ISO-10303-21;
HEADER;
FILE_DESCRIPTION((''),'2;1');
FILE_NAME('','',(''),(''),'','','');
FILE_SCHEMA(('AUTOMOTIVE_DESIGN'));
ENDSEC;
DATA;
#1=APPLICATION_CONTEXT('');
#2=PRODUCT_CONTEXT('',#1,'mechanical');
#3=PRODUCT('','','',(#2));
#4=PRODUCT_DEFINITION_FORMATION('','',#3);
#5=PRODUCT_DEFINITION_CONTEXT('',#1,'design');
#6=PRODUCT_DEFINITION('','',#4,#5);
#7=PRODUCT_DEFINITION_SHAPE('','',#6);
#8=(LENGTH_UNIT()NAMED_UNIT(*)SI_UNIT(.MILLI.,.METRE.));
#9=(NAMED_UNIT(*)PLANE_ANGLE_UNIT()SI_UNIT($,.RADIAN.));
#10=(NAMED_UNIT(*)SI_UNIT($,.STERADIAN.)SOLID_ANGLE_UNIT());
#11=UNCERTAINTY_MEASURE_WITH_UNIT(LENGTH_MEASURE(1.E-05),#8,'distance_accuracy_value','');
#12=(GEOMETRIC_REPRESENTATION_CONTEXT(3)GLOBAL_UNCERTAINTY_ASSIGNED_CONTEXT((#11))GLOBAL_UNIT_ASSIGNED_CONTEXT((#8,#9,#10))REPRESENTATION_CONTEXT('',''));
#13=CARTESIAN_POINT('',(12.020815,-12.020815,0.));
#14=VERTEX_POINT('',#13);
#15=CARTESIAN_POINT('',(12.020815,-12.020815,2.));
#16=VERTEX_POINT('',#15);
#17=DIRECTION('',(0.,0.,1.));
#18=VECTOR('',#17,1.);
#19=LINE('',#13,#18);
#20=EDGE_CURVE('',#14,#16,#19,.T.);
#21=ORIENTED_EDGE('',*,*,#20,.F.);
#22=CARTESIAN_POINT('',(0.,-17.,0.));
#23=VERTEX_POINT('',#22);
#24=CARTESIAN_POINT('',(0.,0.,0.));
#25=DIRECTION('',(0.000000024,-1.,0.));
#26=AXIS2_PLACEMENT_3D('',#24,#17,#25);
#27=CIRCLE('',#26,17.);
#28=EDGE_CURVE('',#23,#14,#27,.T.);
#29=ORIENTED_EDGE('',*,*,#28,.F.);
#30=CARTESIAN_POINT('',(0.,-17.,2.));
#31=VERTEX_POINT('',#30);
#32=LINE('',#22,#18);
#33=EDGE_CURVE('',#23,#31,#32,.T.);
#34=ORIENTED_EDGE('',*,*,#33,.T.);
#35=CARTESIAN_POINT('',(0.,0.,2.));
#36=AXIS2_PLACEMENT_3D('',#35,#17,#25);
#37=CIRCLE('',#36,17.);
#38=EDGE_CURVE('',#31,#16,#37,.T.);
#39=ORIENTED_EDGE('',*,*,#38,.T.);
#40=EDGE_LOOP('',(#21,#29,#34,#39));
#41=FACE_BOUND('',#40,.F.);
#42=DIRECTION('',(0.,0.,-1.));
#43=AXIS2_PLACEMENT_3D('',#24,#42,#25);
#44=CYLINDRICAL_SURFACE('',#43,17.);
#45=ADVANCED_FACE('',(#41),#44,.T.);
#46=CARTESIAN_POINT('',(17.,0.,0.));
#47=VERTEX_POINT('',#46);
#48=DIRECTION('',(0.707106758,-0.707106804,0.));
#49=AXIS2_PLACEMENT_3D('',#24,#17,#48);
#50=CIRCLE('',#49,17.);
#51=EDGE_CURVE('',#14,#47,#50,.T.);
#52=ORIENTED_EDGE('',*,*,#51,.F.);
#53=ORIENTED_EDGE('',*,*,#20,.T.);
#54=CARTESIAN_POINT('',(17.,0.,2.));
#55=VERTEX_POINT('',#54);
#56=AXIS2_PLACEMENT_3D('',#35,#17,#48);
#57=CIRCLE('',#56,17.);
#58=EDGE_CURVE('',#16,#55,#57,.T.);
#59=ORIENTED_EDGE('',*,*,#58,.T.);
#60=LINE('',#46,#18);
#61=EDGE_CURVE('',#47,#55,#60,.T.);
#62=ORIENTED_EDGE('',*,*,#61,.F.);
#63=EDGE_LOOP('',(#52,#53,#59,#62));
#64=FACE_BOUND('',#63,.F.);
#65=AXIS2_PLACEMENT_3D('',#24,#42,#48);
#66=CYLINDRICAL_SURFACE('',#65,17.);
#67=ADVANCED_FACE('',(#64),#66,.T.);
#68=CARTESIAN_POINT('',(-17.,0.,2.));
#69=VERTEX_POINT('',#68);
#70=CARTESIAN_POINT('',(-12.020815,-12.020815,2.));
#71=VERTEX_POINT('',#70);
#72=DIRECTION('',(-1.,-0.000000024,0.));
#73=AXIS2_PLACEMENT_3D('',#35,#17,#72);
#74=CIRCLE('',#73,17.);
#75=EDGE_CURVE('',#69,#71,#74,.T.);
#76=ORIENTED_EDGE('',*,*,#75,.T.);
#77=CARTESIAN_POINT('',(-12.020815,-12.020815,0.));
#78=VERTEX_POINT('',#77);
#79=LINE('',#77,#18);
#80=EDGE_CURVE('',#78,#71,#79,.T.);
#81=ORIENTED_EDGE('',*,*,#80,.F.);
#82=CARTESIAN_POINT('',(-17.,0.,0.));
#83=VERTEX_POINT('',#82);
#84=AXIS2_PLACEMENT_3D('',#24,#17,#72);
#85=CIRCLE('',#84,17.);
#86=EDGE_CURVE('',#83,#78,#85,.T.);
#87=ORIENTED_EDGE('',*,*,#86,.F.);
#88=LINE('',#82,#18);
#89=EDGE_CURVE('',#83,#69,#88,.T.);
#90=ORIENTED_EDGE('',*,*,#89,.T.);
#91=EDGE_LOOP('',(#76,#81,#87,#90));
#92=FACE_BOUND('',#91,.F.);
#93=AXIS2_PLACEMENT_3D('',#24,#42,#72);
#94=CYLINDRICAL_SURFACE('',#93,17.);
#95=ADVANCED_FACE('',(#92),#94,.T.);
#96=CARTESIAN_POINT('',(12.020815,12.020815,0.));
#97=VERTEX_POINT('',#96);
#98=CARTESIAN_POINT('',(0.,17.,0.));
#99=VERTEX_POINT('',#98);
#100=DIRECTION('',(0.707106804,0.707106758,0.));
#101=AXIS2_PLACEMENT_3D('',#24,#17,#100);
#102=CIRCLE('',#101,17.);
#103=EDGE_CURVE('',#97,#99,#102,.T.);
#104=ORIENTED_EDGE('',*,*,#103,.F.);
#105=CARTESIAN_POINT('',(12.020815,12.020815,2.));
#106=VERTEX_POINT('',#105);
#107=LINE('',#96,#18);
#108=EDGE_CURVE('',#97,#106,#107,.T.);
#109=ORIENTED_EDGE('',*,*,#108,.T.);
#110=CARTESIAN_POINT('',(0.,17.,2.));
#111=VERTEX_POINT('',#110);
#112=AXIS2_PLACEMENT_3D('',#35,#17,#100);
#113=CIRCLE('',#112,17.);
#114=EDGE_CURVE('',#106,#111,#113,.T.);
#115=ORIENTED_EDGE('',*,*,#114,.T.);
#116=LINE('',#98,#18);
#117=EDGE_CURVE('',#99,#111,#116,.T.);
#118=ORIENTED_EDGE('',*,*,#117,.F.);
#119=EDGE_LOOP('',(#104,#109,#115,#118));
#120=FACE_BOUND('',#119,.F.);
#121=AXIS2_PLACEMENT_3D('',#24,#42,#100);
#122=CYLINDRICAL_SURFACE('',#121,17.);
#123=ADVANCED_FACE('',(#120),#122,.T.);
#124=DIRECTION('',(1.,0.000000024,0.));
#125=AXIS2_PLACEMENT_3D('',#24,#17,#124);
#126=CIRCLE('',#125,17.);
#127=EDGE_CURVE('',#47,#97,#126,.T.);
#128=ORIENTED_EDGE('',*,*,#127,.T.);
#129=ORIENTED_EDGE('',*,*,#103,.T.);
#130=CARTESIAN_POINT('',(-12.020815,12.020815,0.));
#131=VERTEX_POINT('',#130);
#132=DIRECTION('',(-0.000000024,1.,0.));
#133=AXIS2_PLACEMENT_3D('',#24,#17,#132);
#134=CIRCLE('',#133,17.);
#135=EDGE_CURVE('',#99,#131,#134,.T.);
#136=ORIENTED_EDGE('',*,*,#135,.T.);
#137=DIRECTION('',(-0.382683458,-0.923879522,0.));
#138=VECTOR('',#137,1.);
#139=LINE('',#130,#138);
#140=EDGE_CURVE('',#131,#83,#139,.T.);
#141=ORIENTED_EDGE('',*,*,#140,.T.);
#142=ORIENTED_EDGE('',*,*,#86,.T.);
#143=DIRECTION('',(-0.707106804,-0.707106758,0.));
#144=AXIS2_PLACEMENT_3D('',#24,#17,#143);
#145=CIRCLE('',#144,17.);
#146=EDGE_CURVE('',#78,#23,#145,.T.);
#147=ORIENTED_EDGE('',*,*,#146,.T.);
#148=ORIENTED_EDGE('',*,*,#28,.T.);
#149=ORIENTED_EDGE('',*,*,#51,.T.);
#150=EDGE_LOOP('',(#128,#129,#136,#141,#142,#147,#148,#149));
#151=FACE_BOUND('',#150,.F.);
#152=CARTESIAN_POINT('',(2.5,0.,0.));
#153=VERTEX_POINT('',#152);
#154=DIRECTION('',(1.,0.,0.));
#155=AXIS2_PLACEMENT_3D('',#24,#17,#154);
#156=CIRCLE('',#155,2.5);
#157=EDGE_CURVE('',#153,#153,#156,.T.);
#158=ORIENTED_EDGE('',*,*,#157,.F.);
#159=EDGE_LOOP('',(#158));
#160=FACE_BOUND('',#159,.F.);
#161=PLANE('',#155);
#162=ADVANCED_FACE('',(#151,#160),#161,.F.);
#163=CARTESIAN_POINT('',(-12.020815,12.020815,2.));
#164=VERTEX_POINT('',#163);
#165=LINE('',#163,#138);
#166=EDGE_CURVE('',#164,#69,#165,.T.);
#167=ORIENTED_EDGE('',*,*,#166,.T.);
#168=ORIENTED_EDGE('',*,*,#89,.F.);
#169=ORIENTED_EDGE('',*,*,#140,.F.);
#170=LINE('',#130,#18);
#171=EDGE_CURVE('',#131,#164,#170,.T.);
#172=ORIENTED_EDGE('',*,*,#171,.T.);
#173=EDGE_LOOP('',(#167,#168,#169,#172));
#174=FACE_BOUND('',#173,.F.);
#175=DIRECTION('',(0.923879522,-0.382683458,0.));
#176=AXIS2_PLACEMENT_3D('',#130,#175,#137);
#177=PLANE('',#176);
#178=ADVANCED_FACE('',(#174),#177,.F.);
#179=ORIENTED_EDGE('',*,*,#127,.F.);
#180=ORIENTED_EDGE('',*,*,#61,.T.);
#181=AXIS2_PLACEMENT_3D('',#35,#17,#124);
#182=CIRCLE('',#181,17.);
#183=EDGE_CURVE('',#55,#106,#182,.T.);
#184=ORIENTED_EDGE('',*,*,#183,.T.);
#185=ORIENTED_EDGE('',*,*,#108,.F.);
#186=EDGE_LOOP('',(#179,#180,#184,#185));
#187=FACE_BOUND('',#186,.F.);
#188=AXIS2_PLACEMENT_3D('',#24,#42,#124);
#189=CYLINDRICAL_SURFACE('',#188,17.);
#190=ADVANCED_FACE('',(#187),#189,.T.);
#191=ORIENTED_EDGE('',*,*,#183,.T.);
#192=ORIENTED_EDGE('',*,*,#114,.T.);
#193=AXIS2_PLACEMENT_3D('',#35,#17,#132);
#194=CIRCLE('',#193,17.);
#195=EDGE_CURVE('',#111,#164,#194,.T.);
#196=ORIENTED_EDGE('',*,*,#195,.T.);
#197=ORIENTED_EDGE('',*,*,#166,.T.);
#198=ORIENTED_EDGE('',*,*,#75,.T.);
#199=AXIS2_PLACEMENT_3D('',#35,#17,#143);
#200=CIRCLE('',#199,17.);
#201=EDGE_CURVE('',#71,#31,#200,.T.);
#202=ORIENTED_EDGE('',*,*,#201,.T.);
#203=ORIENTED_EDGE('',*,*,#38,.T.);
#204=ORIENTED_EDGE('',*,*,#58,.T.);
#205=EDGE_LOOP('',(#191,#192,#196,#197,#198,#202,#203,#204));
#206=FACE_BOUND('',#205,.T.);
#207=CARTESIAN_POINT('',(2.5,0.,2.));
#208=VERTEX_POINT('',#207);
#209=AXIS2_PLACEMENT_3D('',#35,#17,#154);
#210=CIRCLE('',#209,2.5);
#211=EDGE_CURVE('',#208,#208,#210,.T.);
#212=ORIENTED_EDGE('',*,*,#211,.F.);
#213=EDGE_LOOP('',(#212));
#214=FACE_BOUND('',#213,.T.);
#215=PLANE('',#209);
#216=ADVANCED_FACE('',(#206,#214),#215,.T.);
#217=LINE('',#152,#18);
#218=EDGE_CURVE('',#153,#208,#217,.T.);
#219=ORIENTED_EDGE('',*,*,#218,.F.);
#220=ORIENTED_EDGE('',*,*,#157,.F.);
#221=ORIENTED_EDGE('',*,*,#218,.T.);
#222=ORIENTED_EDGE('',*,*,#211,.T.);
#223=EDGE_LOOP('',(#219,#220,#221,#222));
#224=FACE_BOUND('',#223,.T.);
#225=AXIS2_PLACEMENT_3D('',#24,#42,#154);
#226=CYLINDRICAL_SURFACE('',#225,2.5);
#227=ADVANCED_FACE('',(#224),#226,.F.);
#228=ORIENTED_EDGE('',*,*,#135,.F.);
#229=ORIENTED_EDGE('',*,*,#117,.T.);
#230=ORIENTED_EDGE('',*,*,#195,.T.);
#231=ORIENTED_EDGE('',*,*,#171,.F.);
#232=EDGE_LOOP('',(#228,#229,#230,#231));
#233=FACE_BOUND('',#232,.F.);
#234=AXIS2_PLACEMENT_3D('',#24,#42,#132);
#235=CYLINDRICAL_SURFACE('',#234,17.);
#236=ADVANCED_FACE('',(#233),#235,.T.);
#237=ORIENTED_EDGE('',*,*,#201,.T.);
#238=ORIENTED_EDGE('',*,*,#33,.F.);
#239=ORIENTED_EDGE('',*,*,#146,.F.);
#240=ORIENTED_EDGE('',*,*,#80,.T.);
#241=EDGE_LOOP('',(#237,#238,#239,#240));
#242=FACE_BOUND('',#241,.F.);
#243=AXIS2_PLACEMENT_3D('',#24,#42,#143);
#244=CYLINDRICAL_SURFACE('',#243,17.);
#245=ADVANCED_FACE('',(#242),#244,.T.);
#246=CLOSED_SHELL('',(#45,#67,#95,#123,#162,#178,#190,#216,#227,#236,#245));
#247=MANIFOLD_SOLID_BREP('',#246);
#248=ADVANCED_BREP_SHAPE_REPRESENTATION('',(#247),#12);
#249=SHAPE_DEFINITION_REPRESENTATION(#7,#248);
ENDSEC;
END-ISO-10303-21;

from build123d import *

# Parameters (mm, degrees)
F0_R     = 2.5
F1_DEPTH = 2


with BuildPart() as f1:
    # F0 (on Top) → F1 (new body)
    with BuildSketch(Plane.XY):
        Polygon((-12.020815, 12.020815), (-17, 0), (-12.020815, -12.020815), (0, -17), (12.020815, -12.020815), (17, 0), (12.020815, 12.020815), (0, 17), align=None)
        Circle(F0_R, mode=Mode.SUBTRACT)
        with BuildLine():
            Line((-12.020815, -12.020815), (-17, 0))
            ThreePointArc((-17, 0), (-15.705952, -6.505618), (-12.020815, -12.020815))
        make_face()
        with BuildLine():
            Line((0, -17), (-12.020815, -12.020815))
            ThreePointArc((-12.020815, -12.020815), (-6.505618, -15.705952), (0, -17))
        make_face()
        with BuildLine():
            ThreePointArc((12.020815, 12.020815), (6.505618, 15.705952), (0, 17))
            Line((0, 17), (12.020815, 12.020815))
        make_face()
        with BuildLine():
            ThreePointArc((0, 17), (-6.505618, 15.705952), (-12.020815, 12.020815))
            Line((-12.020815, 12.020815), (0, 17))
        make_face()
        with BuildLine():
            Line((12.020815, -12.020815), (0, -17))
            ThreePointArc((0, -17), (6.505618, -15.705952), (12.020815, -12.020815))
        make_face()
        with BuildLine():
            Line((17, 0), (12.020815, -12.020815))
            ThreePointArc((12.020815, -12.020815), (15.705952, -6.505618), (17, 0))
        make_face()
        with BuildLine():
            ThreePointArc((17, 0), (15.705952, 6.505618), (12.020815, 12.020815))
            Line((12.020815, 12.020815), (17, 0))
        make_face()
    extrude(amount=F1_DEPTH)


solid = f1.part
